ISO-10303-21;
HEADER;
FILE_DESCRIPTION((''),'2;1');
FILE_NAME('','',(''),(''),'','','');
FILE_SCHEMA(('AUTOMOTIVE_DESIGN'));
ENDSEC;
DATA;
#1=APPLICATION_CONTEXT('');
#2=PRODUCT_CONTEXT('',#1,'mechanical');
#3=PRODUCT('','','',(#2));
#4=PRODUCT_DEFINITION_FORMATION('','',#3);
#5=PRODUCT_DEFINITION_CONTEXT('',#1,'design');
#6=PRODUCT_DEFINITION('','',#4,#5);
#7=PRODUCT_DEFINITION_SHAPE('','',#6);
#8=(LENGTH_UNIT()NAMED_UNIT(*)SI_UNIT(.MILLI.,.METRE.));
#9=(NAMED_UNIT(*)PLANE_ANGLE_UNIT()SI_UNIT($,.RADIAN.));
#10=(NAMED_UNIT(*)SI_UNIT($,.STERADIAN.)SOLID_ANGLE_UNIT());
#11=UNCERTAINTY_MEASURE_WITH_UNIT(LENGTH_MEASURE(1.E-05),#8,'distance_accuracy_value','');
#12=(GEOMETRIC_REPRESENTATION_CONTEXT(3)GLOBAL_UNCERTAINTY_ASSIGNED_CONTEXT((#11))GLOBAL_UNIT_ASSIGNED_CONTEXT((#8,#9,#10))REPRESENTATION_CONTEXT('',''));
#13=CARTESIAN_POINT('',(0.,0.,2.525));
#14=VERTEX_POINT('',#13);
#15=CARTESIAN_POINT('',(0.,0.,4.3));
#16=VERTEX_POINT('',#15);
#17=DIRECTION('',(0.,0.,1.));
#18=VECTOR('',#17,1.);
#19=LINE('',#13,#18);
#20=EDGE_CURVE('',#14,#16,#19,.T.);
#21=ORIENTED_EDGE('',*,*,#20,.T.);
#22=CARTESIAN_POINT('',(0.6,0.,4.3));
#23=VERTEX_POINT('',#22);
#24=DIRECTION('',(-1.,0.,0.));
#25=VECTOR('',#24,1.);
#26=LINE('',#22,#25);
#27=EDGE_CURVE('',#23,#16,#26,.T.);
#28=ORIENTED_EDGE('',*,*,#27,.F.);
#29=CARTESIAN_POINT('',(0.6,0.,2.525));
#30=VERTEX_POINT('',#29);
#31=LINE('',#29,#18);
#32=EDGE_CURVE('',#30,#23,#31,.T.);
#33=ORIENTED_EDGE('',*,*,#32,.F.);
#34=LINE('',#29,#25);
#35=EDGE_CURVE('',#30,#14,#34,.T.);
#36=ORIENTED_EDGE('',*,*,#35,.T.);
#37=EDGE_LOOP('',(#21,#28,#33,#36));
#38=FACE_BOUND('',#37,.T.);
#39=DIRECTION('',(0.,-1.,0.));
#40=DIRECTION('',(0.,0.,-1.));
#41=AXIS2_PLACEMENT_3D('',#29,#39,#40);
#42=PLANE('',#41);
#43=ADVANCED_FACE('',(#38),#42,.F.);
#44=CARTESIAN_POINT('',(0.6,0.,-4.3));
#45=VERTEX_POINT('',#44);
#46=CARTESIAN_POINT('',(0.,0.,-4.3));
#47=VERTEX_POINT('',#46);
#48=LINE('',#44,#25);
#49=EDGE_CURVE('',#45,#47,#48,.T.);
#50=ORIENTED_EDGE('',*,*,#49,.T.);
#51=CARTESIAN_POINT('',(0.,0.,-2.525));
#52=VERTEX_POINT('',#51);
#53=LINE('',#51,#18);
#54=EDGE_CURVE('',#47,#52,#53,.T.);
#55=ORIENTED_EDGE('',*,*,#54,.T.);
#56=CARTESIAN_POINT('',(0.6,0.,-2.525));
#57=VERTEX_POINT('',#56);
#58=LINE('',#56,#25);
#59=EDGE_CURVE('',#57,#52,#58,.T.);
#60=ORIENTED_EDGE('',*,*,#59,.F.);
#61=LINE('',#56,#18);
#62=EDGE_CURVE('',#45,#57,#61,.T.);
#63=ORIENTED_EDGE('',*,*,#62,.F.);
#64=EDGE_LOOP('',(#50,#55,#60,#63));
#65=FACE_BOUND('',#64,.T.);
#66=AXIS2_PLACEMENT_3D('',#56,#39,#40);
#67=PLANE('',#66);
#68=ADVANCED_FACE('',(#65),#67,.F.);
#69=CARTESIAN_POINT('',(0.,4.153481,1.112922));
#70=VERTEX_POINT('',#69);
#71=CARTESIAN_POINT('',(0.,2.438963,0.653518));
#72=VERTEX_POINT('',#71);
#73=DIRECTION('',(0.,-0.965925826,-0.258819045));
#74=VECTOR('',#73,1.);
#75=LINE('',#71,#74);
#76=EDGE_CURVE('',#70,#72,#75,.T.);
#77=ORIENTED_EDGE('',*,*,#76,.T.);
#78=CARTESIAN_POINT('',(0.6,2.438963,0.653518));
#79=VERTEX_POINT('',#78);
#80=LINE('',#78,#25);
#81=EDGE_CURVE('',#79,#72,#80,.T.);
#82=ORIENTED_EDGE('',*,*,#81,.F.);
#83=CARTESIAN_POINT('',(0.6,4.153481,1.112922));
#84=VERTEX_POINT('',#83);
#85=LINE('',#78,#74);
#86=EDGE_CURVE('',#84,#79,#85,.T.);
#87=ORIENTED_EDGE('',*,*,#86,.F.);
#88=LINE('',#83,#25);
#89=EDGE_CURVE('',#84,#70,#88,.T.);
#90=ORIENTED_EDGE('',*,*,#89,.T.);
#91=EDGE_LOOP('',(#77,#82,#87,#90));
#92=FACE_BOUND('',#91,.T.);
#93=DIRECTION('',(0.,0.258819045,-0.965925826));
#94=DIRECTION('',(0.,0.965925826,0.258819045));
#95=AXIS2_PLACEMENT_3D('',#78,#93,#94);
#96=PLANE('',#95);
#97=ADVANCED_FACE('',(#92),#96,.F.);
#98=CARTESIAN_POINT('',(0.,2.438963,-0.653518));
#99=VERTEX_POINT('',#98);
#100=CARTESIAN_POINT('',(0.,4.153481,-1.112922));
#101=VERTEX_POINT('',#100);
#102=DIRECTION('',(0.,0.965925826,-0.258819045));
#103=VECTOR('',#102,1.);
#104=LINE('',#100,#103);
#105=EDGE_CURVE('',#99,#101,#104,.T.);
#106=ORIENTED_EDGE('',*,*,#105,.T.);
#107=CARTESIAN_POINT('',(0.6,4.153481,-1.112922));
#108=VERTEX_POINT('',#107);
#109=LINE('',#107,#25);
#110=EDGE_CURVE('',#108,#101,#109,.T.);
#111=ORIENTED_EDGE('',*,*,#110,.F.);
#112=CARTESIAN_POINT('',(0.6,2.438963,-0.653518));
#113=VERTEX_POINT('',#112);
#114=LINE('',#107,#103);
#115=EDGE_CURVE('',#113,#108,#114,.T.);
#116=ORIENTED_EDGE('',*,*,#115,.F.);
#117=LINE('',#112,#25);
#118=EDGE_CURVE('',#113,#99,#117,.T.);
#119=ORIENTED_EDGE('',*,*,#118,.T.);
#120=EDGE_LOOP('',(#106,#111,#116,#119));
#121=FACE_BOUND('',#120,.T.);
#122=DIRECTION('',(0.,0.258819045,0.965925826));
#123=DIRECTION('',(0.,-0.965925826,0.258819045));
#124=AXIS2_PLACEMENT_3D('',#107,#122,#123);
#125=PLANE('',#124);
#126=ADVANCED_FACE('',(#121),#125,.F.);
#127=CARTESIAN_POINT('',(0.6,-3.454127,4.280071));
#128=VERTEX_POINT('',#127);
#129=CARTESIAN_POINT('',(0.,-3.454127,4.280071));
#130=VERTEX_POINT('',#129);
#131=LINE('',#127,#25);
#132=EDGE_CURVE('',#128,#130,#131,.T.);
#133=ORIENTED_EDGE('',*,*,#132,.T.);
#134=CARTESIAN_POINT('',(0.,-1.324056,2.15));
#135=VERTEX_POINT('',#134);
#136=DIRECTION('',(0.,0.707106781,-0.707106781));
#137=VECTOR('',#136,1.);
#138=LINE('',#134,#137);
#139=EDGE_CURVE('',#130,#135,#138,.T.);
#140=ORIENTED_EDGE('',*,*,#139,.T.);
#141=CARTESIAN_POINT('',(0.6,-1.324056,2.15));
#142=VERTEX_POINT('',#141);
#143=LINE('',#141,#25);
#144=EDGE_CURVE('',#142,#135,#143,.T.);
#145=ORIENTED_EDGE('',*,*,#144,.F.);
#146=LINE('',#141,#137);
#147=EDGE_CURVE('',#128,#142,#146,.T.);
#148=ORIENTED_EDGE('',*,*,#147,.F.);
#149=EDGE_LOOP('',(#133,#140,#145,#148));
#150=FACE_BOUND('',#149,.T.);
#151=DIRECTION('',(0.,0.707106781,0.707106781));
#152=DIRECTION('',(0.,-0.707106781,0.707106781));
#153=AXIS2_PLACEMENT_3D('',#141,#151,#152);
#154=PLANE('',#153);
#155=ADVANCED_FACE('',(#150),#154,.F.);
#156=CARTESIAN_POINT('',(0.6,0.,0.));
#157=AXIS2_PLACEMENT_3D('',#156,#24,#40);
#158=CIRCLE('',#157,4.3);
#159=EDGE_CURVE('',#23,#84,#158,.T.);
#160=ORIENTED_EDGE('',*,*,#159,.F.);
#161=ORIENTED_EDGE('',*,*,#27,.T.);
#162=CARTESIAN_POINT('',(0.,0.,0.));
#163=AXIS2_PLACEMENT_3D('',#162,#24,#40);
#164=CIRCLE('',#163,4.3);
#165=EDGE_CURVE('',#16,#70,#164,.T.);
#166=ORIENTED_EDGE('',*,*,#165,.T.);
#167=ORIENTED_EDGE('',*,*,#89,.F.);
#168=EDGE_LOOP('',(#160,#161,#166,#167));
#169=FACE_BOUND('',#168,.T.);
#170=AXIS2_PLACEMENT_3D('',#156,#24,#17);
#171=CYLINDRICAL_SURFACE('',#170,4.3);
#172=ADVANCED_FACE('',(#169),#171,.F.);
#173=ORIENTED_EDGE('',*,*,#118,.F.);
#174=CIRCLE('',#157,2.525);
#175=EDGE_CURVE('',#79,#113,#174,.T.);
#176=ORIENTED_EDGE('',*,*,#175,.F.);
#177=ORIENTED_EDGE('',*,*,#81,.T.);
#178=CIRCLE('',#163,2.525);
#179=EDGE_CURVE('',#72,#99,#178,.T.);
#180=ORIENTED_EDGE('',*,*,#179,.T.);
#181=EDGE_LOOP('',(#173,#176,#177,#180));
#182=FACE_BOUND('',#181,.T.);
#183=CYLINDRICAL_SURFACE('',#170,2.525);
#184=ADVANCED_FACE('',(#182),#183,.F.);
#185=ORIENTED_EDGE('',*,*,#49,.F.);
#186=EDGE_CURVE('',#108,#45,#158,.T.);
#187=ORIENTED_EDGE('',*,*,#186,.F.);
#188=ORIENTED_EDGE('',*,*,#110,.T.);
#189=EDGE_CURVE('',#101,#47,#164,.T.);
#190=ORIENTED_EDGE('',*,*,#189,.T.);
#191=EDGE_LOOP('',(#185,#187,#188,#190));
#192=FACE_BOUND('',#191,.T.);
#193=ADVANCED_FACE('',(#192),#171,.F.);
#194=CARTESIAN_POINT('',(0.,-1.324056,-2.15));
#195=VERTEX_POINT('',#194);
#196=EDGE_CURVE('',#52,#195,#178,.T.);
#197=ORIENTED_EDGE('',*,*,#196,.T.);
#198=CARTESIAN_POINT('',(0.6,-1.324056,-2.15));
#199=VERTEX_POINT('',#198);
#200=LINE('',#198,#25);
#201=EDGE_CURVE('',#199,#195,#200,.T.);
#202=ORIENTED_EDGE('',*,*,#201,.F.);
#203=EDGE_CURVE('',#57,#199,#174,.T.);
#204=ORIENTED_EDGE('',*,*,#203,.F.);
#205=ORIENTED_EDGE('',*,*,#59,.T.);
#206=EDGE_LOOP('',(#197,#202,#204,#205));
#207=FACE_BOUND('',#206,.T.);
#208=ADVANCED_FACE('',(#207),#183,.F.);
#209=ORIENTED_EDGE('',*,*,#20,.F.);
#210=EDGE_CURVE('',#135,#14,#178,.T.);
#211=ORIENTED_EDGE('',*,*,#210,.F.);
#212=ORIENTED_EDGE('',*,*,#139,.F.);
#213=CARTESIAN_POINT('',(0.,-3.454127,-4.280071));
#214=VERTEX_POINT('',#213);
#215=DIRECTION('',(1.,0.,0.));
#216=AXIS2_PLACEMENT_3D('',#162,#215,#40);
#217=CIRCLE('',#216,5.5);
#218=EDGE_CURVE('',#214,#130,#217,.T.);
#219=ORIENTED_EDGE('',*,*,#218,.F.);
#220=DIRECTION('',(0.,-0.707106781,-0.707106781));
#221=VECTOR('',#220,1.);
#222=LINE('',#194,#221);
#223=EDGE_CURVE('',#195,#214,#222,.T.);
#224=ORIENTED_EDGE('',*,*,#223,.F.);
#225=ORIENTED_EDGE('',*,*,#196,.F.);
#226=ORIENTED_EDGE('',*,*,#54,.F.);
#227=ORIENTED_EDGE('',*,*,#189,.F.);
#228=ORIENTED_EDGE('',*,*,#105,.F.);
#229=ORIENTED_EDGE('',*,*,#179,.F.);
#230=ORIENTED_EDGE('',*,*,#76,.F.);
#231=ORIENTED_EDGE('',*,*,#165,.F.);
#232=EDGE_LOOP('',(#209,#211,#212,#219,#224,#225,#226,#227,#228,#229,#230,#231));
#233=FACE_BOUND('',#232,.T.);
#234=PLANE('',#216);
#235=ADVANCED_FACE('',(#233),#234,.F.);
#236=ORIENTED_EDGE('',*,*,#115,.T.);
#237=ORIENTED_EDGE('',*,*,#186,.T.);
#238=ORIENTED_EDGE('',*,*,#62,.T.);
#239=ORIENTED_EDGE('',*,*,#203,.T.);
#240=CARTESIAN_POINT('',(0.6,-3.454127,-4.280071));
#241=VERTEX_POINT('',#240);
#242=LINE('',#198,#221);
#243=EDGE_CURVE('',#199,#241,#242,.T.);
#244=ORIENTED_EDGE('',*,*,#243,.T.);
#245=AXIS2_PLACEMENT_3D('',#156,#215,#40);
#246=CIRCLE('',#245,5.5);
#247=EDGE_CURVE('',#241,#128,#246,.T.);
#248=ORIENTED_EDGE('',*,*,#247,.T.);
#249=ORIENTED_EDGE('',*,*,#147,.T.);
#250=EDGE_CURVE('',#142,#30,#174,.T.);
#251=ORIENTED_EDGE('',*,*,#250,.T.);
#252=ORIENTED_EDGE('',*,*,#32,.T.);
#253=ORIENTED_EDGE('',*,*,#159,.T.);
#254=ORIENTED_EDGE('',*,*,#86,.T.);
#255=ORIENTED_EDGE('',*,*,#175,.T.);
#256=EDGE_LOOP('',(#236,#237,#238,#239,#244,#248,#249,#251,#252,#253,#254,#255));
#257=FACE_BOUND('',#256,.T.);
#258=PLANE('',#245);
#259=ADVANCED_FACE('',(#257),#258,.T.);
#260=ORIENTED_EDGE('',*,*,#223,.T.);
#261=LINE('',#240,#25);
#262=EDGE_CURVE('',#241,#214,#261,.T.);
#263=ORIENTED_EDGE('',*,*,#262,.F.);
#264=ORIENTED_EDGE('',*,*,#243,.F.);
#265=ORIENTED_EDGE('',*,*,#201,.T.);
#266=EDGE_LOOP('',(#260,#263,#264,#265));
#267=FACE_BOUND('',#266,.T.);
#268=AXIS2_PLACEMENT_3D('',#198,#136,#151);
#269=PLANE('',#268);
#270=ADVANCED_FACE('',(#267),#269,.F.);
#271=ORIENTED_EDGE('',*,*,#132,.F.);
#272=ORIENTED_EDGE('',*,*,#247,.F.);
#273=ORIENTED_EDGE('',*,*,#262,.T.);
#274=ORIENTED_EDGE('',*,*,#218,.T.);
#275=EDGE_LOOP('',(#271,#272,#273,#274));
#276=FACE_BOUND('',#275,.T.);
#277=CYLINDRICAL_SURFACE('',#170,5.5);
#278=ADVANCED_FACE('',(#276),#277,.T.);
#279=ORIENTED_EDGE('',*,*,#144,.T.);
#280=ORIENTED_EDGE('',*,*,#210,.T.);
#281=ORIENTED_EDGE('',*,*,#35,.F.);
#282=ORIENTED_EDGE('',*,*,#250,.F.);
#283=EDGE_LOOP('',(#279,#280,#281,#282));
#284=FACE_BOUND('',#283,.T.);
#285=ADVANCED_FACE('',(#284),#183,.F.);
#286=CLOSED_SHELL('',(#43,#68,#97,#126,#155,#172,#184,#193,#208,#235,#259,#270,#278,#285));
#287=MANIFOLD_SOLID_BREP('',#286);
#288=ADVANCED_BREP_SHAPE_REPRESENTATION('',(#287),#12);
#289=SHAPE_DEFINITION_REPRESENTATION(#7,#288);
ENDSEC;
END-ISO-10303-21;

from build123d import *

# Parameters (mm, degrees)
BOSS_EXTRUDE1_DEPTH = 0.6


with BuildPart() as part:
    # Sketch1 → Boss-Extrude1 (new body)
    with BuildSketch(Plane(origin=(0, 0, 0), x_dir=(0, 0, -1), z_dir=(1, 0, 0))):
        with BuildLine():
            Line((-2.525, 0), (-4.3, 0))
            ThreePointArc((-4.3, 0), (-3.411419363, 2.617674145), (-1.112921894, 4.153481053))
            Line((-1.112921894, 4.153481053), (-0.653518089, 2.438962711))
            ThreePointArc((-0.653518089, 2.438962711), (0, 2.525), (0.653518089, 2.438962711))
            Line((0.653518089, 2.438962711), (1.112921894, 4.153481053))
            ThreePointArc((1.112921894, 4.153481053), (3.411419363, 2.617674145), (4.3, 0))
            Line((4.3, 0), (2.525, 0))
            ThreePointArc((2.525, 0), (2.429441808, -0.688067947), (2.15, -1.324056268))
            Line((2.15, -1.324056268), (4.28007081, -3.454127077))
            ThreePointArc((4.28007081, -3.454127077), (0, 5.5), (-4.28007081, -3.454127077))
            Line((-4.28007081, -3.454127077), (-2.15, -1.324056268))
            ThreePointArc((-2.15, -1.324056268), (-2.429441808, -0.688067947), (-2.525, 0))
        make_face()
    extrude(amount=BOSS_EXTRUDE1_DEPTH)


solid = part.part
